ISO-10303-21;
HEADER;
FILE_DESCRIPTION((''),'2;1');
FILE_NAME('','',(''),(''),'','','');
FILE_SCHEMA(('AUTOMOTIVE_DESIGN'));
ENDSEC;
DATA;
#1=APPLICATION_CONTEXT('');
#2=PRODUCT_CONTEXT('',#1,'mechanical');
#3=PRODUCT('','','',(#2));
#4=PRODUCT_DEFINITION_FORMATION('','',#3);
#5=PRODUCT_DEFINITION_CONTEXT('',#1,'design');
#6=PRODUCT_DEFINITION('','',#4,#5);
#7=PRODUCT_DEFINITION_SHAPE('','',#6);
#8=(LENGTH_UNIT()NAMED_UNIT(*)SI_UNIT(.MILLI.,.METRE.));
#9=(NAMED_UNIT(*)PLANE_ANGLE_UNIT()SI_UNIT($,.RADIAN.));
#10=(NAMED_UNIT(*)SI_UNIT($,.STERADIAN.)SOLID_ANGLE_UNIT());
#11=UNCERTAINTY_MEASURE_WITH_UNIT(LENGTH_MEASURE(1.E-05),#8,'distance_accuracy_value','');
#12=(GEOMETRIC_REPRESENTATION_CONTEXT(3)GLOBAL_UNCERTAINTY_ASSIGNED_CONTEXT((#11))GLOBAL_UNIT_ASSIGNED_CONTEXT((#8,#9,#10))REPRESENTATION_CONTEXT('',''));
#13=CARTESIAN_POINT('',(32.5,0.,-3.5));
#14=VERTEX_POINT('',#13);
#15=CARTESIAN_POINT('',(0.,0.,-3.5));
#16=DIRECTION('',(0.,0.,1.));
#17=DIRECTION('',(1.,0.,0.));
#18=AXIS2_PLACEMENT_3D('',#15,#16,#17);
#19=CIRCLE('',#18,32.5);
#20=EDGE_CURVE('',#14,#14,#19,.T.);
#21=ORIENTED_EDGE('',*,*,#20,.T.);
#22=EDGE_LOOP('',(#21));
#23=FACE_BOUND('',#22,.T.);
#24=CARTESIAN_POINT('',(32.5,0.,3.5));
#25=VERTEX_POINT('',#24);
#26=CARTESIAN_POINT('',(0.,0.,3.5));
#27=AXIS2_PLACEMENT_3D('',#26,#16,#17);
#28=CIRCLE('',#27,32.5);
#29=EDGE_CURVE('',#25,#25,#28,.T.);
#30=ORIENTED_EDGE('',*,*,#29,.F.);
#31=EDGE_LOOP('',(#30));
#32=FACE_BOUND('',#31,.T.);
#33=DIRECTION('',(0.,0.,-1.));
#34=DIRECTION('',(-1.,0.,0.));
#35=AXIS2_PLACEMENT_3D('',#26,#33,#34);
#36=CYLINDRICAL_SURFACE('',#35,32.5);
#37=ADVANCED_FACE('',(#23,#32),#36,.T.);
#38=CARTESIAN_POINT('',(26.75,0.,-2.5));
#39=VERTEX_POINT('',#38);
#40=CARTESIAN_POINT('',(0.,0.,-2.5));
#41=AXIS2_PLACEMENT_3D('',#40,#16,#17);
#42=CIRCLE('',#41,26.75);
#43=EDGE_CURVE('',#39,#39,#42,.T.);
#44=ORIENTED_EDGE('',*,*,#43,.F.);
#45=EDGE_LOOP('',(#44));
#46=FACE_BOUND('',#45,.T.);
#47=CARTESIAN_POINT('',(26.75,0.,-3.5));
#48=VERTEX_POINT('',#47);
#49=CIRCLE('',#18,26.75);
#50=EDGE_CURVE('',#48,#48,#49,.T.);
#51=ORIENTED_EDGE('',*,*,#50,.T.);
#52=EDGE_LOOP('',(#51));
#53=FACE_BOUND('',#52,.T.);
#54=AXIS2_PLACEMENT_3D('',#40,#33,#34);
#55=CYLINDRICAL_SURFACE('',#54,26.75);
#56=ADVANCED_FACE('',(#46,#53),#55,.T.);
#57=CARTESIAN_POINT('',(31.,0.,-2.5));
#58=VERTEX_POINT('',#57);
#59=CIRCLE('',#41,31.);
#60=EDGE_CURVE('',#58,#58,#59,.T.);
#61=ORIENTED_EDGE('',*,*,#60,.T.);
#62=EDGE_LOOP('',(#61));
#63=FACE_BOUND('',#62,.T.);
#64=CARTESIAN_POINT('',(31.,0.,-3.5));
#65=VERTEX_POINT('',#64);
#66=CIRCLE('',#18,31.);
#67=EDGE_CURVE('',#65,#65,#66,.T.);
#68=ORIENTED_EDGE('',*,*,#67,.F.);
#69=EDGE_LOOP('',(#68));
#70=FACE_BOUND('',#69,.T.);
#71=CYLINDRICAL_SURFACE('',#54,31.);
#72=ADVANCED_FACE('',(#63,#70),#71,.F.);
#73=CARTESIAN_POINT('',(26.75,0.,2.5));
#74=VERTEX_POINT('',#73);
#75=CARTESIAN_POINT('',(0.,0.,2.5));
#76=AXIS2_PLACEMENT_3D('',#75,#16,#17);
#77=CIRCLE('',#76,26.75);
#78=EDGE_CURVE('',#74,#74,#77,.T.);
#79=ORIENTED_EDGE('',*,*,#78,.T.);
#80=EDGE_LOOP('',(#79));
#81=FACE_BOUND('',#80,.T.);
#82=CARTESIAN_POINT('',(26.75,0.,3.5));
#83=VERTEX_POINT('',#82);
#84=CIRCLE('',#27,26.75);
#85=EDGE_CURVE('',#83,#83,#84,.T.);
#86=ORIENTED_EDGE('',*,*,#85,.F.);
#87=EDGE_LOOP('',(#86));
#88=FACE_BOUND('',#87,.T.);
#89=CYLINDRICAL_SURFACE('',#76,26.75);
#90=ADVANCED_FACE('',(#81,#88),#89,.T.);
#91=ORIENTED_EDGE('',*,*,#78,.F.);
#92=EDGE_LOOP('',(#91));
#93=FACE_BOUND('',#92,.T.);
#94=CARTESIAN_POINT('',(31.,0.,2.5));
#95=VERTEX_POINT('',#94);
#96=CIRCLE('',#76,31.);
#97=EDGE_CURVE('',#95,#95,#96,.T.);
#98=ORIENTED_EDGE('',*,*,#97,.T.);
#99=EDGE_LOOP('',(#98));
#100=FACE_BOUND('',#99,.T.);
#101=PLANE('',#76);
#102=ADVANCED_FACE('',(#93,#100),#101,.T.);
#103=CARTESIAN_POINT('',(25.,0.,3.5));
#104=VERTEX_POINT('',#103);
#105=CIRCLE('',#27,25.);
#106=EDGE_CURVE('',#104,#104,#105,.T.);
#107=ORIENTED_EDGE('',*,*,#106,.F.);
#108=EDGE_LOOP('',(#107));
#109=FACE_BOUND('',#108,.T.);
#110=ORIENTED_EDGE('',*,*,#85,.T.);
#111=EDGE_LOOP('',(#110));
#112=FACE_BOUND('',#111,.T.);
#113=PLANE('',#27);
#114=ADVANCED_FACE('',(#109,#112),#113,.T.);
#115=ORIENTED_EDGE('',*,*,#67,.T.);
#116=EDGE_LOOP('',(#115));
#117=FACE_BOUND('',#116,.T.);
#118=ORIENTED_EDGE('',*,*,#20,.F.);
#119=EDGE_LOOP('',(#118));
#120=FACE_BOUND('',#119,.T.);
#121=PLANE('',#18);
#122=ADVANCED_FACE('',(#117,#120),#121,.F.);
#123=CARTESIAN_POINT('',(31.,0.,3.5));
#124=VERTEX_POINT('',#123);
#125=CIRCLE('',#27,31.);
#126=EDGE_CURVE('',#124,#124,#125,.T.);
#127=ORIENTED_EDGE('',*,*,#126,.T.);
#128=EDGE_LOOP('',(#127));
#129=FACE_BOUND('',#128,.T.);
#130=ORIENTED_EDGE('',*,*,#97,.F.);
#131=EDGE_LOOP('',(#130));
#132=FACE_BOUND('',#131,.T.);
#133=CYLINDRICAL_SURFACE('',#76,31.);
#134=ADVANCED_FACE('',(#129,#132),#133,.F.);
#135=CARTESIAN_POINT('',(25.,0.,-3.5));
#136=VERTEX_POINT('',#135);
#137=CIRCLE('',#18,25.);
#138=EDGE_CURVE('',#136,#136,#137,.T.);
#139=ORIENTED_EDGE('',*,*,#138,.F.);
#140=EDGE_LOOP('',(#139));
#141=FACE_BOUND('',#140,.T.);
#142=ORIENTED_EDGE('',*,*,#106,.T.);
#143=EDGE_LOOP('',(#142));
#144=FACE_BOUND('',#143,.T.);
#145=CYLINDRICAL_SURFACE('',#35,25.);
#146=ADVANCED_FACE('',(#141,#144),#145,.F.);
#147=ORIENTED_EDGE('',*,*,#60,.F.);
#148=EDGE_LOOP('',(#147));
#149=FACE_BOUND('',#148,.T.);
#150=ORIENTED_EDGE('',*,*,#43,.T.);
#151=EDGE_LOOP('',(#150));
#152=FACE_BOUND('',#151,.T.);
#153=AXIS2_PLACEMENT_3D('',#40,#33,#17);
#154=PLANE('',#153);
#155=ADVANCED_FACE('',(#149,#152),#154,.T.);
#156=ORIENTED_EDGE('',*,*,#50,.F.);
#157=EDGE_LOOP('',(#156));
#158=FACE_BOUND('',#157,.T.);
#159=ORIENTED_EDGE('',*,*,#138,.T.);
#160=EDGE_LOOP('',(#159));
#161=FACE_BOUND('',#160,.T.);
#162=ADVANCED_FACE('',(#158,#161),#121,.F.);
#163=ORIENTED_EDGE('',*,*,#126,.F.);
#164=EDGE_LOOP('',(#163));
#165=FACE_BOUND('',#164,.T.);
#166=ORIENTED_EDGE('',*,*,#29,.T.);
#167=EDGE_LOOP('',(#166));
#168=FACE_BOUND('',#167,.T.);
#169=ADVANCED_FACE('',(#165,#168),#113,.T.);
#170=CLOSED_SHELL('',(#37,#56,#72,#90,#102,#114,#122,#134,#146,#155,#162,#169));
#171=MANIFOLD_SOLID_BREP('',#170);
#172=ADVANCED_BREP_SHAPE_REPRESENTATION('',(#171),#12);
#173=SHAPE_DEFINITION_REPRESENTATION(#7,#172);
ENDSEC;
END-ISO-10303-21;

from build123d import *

# Parameters (mm, degrees)
SKETCH1_R           = 32.5
SKETCH1_R_2         = 25
BOSS_EXTRUDE1_DEPTH = 3.5
SKETCH2_R           = 31
SKETCH2_R_2         = 26.75
CUT_EXTRUDE1_DEPTH  = 1


with BuildPart() as part:
    # Sketch1 → Boss-Extrude1 (new, symmetric)
    with BuildSketch(Plane.XY):
        Circle(SKETCH1_R)
        Circle(SKETCH1_R_2, mode=Mode.SUBTRACT)
    extrude(amount=BOSS_EXTRUDE1_DEPTH, both=True)

    # Sketch2 → Cut-Extrude1 (cut)
    with BuildSketch(Plane.XY.offset(3.5)):
        Circle(SKETCH2_R)
        Circle(SKETCH2_R_2, mode=Mode.SUBTRACT)
    cut_extrude1 = extrude(amount=-CUT_EXTRUDE1_DEPTH, mode=Mode.SUBTRACT)

    # Mirror1: Cut-Extrude1 across plane
    add(cut_extrude1.mirror(Plane.XY), mode=Mode.SUBTRACT)


solid = part.part
